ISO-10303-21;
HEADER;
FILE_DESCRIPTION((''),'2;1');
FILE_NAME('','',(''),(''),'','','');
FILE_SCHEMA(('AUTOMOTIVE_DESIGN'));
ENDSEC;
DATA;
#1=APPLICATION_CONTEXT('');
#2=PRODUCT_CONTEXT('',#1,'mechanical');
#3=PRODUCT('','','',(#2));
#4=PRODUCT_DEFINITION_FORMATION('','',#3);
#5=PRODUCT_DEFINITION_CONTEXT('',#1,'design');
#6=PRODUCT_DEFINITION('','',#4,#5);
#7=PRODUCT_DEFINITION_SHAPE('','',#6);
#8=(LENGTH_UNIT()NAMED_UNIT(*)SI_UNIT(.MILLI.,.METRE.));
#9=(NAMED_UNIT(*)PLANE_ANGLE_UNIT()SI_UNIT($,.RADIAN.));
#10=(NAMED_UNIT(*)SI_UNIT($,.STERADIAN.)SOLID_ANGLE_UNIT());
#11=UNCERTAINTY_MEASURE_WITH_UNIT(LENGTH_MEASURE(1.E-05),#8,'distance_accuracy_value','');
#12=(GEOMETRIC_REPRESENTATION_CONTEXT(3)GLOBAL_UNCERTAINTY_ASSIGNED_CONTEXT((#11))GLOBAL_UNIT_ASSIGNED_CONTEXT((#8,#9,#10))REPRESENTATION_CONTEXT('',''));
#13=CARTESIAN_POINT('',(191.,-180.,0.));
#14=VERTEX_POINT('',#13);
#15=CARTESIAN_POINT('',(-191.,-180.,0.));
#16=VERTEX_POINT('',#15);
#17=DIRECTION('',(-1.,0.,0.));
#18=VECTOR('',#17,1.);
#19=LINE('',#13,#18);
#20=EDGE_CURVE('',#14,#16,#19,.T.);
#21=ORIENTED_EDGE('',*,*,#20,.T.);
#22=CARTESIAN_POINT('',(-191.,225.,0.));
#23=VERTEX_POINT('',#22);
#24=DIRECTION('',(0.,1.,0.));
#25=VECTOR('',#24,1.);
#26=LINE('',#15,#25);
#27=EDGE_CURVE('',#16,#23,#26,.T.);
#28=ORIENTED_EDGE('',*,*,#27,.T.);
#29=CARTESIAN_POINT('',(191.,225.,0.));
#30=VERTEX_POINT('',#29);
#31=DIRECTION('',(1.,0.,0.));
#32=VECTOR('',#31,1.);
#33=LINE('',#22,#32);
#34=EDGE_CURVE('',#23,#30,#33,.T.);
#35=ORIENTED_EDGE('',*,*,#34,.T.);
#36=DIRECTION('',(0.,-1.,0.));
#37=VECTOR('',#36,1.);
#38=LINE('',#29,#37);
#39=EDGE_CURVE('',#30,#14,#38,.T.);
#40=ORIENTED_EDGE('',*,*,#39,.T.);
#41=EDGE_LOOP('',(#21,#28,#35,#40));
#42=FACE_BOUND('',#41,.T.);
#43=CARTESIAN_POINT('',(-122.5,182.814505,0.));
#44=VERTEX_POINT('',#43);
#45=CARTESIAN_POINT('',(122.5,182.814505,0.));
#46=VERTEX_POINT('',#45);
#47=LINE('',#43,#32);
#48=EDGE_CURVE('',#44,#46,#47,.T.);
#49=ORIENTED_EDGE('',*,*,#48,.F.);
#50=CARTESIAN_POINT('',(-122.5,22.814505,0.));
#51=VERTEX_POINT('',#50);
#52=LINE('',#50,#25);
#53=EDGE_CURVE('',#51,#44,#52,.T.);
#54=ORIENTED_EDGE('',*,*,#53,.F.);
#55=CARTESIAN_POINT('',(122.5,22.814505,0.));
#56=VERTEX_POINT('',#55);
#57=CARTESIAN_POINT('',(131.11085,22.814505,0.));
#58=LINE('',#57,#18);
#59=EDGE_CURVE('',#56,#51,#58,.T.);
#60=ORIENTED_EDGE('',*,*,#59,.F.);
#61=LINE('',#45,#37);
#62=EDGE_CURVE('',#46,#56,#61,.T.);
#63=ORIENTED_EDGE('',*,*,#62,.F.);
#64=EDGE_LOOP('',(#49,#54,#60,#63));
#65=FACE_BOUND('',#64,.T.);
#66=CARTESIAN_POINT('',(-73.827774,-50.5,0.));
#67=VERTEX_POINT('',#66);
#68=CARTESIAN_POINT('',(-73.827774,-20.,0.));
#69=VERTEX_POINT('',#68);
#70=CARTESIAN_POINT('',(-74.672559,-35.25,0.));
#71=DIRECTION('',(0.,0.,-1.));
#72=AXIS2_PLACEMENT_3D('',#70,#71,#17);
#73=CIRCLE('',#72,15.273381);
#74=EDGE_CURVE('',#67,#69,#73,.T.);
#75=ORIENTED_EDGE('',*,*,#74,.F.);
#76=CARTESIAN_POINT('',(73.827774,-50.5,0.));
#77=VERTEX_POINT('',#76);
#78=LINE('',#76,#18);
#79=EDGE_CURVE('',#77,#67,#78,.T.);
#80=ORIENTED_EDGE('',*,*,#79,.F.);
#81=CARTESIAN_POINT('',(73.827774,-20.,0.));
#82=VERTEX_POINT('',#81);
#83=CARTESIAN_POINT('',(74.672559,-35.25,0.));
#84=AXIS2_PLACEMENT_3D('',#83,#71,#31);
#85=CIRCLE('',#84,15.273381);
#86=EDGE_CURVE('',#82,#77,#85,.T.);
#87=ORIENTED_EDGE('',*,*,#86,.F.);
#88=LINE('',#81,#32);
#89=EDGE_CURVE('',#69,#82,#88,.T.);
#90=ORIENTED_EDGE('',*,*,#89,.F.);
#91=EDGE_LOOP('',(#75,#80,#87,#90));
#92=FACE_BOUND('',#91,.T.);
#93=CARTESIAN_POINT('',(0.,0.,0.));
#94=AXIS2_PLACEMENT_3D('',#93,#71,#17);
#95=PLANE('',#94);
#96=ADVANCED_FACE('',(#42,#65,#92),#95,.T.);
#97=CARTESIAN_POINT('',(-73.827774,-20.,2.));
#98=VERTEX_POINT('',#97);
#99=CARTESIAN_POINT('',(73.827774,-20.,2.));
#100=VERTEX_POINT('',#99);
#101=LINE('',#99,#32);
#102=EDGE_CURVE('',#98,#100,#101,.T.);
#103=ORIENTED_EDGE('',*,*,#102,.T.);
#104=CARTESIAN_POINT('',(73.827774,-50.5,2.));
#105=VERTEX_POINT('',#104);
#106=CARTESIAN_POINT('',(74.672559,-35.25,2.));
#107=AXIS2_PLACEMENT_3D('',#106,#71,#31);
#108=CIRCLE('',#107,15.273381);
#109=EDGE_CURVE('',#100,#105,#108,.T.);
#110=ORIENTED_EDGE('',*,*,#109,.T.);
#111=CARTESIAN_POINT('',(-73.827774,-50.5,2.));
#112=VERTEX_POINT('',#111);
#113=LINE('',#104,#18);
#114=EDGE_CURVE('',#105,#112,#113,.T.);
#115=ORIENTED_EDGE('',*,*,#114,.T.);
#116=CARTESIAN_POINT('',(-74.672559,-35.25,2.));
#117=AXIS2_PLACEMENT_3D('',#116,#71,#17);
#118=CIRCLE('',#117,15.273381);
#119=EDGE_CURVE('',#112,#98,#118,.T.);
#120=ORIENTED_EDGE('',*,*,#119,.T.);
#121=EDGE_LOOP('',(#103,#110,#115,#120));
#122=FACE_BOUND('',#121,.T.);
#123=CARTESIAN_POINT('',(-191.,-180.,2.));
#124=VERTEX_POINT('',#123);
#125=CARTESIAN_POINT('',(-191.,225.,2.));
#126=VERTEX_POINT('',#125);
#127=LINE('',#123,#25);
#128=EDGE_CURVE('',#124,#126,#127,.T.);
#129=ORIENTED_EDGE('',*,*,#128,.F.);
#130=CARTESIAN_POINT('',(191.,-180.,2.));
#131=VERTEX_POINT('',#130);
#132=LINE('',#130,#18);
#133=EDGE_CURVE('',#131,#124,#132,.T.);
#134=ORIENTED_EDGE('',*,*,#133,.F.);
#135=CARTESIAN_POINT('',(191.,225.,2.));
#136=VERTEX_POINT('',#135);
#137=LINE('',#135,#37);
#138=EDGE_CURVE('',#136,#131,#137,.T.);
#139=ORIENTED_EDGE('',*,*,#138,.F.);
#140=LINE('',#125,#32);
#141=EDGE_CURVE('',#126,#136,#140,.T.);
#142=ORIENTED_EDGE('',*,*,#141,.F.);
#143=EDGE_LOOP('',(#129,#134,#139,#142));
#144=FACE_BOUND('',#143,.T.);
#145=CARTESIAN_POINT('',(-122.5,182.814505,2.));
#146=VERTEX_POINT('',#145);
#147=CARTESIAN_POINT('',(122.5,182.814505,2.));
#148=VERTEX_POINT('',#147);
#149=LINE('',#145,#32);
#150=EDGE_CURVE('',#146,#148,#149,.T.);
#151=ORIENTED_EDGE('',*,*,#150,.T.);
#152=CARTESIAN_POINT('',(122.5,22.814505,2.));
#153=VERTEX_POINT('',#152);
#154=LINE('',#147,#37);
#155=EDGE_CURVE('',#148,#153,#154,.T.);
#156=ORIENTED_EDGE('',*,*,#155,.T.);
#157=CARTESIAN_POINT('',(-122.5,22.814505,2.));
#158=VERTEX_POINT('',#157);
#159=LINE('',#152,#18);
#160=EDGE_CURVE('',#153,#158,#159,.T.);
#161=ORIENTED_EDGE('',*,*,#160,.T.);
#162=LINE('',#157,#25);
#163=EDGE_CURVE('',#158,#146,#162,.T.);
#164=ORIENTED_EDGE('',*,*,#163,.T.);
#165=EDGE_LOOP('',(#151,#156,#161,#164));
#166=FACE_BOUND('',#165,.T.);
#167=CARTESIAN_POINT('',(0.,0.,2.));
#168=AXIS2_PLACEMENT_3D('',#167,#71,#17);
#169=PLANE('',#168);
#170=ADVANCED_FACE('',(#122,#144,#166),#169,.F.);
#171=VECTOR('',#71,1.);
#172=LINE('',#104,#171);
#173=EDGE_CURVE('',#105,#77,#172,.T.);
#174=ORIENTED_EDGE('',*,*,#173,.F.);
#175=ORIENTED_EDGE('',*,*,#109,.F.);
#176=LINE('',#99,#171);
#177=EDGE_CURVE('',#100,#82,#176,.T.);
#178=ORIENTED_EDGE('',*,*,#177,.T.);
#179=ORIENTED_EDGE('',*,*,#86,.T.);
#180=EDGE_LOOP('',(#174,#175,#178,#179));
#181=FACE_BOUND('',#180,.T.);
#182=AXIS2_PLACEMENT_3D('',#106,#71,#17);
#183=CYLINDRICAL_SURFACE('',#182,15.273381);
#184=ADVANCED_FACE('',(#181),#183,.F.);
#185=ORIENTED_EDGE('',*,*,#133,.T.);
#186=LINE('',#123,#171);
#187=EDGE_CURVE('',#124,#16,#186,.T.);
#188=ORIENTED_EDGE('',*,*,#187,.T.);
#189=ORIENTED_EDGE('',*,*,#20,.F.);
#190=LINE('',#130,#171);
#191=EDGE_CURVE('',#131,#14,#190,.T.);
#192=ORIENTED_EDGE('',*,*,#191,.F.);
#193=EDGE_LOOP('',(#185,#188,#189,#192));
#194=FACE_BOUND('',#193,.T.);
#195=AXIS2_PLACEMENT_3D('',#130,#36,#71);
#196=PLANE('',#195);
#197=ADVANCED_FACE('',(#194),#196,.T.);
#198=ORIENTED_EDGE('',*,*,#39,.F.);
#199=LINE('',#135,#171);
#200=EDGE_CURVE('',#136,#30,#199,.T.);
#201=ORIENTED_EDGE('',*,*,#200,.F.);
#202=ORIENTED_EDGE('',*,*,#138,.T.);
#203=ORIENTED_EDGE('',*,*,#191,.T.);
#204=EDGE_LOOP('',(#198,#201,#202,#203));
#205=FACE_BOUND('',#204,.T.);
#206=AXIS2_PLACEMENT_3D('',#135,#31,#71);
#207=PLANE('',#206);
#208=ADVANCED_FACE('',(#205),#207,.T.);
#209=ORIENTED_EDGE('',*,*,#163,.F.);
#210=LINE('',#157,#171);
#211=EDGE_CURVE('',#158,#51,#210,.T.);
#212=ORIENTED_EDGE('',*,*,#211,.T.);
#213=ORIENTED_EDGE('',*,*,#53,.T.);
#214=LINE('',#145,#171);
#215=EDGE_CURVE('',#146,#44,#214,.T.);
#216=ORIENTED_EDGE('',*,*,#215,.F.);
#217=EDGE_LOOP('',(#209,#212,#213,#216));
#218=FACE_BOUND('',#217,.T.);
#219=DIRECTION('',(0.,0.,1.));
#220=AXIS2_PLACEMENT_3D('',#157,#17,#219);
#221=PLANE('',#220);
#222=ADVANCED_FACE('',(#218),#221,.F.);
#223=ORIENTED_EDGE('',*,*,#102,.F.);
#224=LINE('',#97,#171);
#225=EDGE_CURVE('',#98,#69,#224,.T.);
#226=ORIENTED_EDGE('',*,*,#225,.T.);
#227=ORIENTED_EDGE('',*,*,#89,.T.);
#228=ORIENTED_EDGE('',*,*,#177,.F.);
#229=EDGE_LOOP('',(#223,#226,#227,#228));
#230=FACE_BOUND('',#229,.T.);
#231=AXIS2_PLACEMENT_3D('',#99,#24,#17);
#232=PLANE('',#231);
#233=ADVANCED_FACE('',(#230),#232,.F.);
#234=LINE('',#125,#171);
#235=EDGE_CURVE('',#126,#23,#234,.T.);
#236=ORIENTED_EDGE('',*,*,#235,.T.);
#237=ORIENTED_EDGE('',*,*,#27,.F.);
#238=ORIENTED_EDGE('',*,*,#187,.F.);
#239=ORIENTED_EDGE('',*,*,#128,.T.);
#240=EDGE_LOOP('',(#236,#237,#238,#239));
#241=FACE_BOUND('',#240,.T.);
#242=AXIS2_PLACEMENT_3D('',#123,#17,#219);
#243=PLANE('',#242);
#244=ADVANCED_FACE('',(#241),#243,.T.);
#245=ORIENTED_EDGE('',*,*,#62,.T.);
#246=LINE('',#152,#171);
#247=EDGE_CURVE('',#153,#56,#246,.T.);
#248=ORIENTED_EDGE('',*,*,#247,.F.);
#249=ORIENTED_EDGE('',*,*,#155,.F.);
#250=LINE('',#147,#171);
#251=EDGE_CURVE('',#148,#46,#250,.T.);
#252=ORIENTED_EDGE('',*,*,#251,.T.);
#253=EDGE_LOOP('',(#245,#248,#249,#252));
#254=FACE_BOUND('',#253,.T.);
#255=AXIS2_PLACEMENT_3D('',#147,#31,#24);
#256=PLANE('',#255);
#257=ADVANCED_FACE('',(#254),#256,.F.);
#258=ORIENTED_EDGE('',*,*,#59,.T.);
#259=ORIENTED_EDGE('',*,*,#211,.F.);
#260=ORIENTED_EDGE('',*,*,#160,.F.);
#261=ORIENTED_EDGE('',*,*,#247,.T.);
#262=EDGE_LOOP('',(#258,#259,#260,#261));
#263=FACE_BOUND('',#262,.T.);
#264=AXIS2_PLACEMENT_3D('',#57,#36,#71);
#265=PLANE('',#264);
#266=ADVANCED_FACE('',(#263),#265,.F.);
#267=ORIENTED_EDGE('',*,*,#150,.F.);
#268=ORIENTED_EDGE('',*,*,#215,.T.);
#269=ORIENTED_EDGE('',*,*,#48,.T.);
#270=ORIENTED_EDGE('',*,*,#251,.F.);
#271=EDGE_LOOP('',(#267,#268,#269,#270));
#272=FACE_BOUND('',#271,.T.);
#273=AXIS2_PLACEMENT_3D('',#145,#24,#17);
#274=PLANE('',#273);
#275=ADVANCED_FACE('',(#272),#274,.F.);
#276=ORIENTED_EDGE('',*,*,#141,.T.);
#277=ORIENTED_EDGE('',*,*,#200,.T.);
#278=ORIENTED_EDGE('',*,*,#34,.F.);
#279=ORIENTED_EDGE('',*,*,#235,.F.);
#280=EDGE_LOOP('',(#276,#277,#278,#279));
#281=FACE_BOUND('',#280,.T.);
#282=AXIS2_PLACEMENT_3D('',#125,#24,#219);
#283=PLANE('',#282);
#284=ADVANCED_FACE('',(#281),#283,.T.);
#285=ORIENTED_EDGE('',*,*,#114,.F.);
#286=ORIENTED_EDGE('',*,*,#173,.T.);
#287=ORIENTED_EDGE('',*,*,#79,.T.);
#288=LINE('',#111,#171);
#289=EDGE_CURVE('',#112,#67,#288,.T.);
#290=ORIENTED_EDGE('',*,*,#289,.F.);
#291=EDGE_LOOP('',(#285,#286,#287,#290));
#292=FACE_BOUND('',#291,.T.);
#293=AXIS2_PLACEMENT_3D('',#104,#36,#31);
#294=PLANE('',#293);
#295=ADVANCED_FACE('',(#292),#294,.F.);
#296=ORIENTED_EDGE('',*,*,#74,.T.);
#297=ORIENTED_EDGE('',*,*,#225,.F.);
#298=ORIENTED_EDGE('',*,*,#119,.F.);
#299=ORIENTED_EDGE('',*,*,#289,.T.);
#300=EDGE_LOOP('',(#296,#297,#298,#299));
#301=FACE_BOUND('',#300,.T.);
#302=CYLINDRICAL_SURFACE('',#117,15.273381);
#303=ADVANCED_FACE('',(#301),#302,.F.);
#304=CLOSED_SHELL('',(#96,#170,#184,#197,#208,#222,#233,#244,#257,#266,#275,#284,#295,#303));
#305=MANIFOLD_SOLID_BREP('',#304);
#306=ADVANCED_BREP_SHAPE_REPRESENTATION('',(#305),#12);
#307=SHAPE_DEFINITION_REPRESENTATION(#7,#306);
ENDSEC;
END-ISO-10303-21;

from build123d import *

# Parameters (mm, degrees)
SKETCH1_W           = 382
SKETCH1_H           = 405
BOSS_EXTRUDE1_DEPTH = 2
CUT_EXTRUDE1_DEPTH  = 296.144032635
SKETCH3_W           = 267
SKETCH3_H           = 157
BOSS_EXTRUDE2_DEPTH = 15
SKETCH4_W           = 261
SKETCH4_H           = 151
CUT_EXTRUDE2_DEPTH  = 15
SKETCH5_W           = 245
SKETCH5_H           = 160
CUT_EXTRUDE3_DEPTH  = 296.51818895
SKETCH7_W           = 15
SKETCH7_H           = 157
CUT_EXTRUDE4_DEPTH  = 395.657042985
BOSS_EXTRUDE3_START = -2
BOSS_EXTRUDE3_DEPTH = 2
CUT_EXTRUDE5_DEPTH  = 296.144032635


with BuildPart() as part:
    # Sketch1 → Boss-Extrude1 (new body)
    with BuildSketch(Plane(origin=(0, 0, 0), x_dir=(-1, 0, 0), z_dir=(0, 0, -1))):
        with Locations((0, 22.5)):
            Rectangle(SKETCH1_W, SKETCH1_H)
    extrude(amount=-BOSS_EXTRUDE1_DEPTH)

    # Sketch2 → Cut-Extrude1 (cut, through all)
    with BuildSketch(Plane.XY.offset(2)):
        with BuildLine():
            Line((-75.5, -35.65), (75.482536693, -35.65))
            ThreePointArc((75.482536693, -35.65), (60.004590726, -20), (75.482536693, -4.35))
            Line((75.482536693, -4.35), (-75.5, -4.35))
            ThreePointArc((-75.5, -4.35), (-91.15, -20), (-75.5, -35.65))
        make_face()
    extrude(amount=-CUT_EXTRUDE1_DEPTH, mode=Mode.SUBTRACT)

    # Sketch3 → Boss-Extrude2 (add)
    with BuildSketch(Plane(origin=(0, 0, 0), x_dir=(-1, 0, 0), z_dir=(0, 0, -1))):
        with Locations((-0.610849862, 98.314505171)):
            Rectangle(SKETCH3_W, SKETCH3_H)
    extrude(amount=BOSS_EXTRUDE2_DEPTH)

    # Sketch4 → Cut-Extrude2 (cut)
    with BuildSketch(Plane(origin=(0, 0, -15), x_dir=(-1, 0, 0), z_dir=(0, 0, -1))):
        with Locations((-0.610849862, 98.314505171)):
            Rectangle(SKETCH4_W, SKETCH4_H)
    extrude(amount=-CUT_EXTRUDE2_DEPTH, mode=Mode.SUBTRACT)

    # Sketch5 → Cut-Extrude3 (cut, through all)
    with BuildSketch(Plane(origin=(0, 0, 0), x_dir=(-1, 0, 0), z_dir=(0, 0, -1))):
        with Locations((0, 102.814505171)):
            Rectangle(SKETCH5_W, SKETCH5_H)
    extrude(amount=-CUT_EXTRUDE3_DEPTH, mode=Mode.SUBTRACT)

    # Sketch7 → Cut-Extrude4 (cut, through all)
    with BuildSketch(Plane.ZY.offset(132.889150138)):
        with Locations((-7.5, 98.314505171)):
            Rectangle(SKETCH7_W, SKETCH7_H)
    extrude(amount=-CUT_EXTRUDE4_DEPTH, mode=Mode.SUBTRACT)

    # Sketch9 → Boss-Extrude3 (add)
    with BuildSketch(Plane(origin=(0, 0, 0), x_dir=(-1, 0, 0), z_dir=(0, 0, -1)).offset(BOSS_EXTRUDE3_START)):
        with BuildLine():
            Line((75.5, -35.65), (-75.482536693, -35.65))
            ThreePointArc((-75.482536693, -35.65), (-60.004590726, -20), (-75.482536693, -4.35))
            Line((-75.482536693, -4.35), (75.5, -4.35))
            ThreePointArc((75.5, -4.35), (91.15, -20), (75.5, -35.65))
        make_face()
    extrude(amount=BOSS_EXTRUDE3_DEPTH)

    # Sketch8 → Cut-Extrude5 (cut, through all)
    with BuildSketch(Plane(origin=(0, 0, 0), x_dir=(-1, 0, 0), z_dir=(0, 0, -1))):
        with BuildLine():
            Line((-73.827773505, -20), (73.827773505, -20))
            ThreePointArc((73.827773505, -20), (89.945940018, -35.25), (73.827773505, -50.5))
            Line((73.827773505, -50.5), (-73.827773505, -50.5))
            ThreePointArc((-73.827773505, -50.5), (-89.945940018, -35.25), (-73.827773505, -20))
        make_face()
    extrude(amount=-CUT_EXTRUDE5_DEPTH, mode=Mode.SUBTRACT)


solid = part.part
